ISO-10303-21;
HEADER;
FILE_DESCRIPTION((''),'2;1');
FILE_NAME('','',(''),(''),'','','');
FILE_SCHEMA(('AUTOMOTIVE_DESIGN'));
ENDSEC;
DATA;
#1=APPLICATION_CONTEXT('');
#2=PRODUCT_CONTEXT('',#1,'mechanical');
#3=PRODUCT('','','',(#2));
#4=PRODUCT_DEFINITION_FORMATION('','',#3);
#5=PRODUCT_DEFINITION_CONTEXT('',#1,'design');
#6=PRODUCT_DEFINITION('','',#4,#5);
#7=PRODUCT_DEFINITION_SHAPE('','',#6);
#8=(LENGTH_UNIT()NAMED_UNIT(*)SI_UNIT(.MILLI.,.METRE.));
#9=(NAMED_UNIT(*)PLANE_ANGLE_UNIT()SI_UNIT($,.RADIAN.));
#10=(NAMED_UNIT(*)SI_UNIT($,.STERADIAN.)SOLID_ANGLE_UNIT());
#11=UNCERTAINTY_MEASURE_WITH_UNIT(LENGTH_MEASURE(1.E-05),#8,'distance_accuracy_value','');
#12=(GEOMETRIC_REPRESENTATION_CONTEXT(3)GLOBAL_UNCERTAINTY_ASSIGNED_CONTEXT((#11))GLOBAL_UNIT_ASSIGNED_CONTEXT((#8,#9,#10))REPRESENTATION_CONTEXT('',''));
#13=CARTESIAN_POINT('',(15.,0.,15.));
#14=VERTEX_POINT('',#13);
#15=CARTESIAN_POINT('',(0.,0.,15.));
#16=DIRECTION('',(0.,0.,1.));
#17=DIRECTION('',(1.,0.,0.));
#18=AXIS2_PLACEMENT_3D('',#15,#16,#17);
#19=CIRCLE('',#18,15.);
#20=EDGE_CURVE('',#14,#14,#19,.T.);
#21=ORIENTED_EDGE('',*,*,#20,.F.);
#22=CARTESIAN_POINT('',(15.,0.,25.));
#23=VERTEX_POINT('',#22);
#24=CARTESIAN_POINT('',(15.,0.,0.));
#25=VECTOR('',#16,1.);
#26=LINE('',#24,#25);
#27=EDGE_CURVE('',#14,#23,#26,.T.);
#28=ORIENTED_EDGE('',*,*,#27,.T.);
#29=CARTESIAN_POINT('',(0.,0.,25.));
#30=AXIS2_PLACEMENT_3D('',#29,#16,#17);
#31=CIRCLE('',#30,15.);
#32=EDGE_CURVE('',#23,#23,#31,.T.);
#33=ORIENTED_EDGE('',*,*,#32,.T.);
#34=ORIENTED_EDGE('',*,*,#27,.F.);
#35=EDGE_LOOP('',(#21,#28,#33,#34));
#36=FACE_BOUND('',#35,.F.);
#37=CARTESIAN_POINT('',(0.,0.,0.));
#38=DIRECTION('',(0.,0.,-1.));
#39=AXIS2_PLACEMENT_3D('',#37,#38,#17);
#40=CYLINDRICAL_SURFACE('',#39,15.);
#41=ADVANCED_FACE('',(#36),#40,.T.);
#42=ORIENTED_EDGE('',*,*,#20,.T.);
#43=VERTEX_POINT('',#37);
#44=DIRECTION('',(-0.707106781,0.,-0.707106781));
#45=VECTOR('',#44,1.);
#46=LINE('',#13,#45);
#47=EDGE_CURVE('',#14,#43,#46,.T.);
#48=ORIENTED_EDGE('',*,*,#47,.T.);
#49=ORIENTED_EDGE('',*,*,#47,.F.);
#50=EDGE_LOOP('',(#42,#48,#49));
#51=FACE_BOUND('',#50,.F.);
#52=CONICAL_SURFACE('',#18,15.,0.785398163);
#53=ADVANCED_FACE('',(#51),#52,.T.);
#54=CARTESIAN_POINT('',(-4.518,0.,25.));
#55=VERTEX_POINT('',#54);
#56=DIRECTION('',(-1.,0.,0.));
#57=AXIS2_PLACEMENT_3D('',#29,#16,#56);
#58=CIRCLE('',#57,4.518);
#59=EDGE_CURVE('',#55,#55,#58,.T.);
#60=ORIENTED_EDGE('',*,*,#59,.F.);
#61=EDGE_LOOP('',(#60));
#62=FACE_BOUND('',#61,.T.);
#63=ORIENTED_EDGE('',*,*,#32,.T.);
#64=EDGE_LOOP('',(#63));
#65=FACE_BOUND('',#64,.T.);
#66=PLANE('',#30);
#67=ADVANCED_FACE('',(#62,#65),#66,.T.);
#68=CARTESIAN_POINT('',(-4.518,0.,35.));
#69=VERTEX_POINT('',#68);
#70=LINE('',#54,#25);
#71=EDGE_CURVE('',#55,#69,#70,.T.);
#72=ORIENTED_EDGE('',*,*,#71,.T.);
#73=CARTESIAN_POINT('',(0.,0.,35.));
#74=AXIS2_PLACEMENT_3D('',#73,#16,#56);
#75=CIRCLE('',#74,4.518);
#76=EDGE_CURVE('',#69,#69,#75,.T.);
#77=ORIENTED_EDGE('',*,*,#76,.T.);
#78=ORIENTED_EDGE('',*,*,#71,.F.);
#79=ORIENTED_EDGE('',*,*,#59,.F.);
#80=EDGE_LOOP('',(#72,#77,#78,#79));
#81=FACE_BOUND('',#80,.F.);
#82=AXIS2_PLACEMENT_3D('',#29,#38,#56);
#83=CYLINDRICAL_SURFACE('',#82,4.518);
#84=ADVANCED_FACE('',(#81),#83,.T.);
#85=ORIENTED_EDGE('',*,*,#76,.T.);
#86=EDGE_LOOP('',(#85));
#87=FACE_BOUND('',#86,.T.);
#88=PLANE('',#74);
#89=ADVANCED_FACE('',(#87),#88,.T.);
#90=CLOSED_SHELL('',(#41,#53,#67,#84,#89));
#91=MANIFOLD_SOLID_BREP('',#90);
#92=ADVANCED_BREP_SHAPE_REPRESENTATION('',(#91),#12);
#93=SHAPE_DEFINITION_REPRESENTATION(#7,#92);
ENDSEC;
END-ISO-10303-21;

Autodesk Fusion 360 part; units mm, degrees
sketch "Sketch1" plane through (0, 0, 0) normal (0, 0, 1) x (1, 0, 0)
  circle A0 centre (0, 0) radius 15
  dimension "d1" = 30
extrude "Extrude1" add sketch "Sketch1" along normal blind 30
chamfer "Chamfer1" distance 15 angle 45 1 edges at (-13.9849, -5.4242, 0)
extrude "Extrude2" cut 1 faces at (3.8315, 5.6199, 30) along direction (0, 0, -1) blind 5
sketch "Sketch2" plane through (0, 0, 25) normal (0, 0, 1) x (-1, 0, 0)
  circle A0 centre (0, 0) radius 15
  circle A1 centre (0, 0) radius 4.518
  dimension "d7" = 9.036
extrude "Extrude3" add sketch "Sketch2" along normal blind 20 contours A1
extrude "Extrude4" cut 1 faces at (1.3657, -1.8727, 45) along direction (0, 0, -1) blind 10
equation "d7 = ( 4.518 * 2 ) * 1 mm"
